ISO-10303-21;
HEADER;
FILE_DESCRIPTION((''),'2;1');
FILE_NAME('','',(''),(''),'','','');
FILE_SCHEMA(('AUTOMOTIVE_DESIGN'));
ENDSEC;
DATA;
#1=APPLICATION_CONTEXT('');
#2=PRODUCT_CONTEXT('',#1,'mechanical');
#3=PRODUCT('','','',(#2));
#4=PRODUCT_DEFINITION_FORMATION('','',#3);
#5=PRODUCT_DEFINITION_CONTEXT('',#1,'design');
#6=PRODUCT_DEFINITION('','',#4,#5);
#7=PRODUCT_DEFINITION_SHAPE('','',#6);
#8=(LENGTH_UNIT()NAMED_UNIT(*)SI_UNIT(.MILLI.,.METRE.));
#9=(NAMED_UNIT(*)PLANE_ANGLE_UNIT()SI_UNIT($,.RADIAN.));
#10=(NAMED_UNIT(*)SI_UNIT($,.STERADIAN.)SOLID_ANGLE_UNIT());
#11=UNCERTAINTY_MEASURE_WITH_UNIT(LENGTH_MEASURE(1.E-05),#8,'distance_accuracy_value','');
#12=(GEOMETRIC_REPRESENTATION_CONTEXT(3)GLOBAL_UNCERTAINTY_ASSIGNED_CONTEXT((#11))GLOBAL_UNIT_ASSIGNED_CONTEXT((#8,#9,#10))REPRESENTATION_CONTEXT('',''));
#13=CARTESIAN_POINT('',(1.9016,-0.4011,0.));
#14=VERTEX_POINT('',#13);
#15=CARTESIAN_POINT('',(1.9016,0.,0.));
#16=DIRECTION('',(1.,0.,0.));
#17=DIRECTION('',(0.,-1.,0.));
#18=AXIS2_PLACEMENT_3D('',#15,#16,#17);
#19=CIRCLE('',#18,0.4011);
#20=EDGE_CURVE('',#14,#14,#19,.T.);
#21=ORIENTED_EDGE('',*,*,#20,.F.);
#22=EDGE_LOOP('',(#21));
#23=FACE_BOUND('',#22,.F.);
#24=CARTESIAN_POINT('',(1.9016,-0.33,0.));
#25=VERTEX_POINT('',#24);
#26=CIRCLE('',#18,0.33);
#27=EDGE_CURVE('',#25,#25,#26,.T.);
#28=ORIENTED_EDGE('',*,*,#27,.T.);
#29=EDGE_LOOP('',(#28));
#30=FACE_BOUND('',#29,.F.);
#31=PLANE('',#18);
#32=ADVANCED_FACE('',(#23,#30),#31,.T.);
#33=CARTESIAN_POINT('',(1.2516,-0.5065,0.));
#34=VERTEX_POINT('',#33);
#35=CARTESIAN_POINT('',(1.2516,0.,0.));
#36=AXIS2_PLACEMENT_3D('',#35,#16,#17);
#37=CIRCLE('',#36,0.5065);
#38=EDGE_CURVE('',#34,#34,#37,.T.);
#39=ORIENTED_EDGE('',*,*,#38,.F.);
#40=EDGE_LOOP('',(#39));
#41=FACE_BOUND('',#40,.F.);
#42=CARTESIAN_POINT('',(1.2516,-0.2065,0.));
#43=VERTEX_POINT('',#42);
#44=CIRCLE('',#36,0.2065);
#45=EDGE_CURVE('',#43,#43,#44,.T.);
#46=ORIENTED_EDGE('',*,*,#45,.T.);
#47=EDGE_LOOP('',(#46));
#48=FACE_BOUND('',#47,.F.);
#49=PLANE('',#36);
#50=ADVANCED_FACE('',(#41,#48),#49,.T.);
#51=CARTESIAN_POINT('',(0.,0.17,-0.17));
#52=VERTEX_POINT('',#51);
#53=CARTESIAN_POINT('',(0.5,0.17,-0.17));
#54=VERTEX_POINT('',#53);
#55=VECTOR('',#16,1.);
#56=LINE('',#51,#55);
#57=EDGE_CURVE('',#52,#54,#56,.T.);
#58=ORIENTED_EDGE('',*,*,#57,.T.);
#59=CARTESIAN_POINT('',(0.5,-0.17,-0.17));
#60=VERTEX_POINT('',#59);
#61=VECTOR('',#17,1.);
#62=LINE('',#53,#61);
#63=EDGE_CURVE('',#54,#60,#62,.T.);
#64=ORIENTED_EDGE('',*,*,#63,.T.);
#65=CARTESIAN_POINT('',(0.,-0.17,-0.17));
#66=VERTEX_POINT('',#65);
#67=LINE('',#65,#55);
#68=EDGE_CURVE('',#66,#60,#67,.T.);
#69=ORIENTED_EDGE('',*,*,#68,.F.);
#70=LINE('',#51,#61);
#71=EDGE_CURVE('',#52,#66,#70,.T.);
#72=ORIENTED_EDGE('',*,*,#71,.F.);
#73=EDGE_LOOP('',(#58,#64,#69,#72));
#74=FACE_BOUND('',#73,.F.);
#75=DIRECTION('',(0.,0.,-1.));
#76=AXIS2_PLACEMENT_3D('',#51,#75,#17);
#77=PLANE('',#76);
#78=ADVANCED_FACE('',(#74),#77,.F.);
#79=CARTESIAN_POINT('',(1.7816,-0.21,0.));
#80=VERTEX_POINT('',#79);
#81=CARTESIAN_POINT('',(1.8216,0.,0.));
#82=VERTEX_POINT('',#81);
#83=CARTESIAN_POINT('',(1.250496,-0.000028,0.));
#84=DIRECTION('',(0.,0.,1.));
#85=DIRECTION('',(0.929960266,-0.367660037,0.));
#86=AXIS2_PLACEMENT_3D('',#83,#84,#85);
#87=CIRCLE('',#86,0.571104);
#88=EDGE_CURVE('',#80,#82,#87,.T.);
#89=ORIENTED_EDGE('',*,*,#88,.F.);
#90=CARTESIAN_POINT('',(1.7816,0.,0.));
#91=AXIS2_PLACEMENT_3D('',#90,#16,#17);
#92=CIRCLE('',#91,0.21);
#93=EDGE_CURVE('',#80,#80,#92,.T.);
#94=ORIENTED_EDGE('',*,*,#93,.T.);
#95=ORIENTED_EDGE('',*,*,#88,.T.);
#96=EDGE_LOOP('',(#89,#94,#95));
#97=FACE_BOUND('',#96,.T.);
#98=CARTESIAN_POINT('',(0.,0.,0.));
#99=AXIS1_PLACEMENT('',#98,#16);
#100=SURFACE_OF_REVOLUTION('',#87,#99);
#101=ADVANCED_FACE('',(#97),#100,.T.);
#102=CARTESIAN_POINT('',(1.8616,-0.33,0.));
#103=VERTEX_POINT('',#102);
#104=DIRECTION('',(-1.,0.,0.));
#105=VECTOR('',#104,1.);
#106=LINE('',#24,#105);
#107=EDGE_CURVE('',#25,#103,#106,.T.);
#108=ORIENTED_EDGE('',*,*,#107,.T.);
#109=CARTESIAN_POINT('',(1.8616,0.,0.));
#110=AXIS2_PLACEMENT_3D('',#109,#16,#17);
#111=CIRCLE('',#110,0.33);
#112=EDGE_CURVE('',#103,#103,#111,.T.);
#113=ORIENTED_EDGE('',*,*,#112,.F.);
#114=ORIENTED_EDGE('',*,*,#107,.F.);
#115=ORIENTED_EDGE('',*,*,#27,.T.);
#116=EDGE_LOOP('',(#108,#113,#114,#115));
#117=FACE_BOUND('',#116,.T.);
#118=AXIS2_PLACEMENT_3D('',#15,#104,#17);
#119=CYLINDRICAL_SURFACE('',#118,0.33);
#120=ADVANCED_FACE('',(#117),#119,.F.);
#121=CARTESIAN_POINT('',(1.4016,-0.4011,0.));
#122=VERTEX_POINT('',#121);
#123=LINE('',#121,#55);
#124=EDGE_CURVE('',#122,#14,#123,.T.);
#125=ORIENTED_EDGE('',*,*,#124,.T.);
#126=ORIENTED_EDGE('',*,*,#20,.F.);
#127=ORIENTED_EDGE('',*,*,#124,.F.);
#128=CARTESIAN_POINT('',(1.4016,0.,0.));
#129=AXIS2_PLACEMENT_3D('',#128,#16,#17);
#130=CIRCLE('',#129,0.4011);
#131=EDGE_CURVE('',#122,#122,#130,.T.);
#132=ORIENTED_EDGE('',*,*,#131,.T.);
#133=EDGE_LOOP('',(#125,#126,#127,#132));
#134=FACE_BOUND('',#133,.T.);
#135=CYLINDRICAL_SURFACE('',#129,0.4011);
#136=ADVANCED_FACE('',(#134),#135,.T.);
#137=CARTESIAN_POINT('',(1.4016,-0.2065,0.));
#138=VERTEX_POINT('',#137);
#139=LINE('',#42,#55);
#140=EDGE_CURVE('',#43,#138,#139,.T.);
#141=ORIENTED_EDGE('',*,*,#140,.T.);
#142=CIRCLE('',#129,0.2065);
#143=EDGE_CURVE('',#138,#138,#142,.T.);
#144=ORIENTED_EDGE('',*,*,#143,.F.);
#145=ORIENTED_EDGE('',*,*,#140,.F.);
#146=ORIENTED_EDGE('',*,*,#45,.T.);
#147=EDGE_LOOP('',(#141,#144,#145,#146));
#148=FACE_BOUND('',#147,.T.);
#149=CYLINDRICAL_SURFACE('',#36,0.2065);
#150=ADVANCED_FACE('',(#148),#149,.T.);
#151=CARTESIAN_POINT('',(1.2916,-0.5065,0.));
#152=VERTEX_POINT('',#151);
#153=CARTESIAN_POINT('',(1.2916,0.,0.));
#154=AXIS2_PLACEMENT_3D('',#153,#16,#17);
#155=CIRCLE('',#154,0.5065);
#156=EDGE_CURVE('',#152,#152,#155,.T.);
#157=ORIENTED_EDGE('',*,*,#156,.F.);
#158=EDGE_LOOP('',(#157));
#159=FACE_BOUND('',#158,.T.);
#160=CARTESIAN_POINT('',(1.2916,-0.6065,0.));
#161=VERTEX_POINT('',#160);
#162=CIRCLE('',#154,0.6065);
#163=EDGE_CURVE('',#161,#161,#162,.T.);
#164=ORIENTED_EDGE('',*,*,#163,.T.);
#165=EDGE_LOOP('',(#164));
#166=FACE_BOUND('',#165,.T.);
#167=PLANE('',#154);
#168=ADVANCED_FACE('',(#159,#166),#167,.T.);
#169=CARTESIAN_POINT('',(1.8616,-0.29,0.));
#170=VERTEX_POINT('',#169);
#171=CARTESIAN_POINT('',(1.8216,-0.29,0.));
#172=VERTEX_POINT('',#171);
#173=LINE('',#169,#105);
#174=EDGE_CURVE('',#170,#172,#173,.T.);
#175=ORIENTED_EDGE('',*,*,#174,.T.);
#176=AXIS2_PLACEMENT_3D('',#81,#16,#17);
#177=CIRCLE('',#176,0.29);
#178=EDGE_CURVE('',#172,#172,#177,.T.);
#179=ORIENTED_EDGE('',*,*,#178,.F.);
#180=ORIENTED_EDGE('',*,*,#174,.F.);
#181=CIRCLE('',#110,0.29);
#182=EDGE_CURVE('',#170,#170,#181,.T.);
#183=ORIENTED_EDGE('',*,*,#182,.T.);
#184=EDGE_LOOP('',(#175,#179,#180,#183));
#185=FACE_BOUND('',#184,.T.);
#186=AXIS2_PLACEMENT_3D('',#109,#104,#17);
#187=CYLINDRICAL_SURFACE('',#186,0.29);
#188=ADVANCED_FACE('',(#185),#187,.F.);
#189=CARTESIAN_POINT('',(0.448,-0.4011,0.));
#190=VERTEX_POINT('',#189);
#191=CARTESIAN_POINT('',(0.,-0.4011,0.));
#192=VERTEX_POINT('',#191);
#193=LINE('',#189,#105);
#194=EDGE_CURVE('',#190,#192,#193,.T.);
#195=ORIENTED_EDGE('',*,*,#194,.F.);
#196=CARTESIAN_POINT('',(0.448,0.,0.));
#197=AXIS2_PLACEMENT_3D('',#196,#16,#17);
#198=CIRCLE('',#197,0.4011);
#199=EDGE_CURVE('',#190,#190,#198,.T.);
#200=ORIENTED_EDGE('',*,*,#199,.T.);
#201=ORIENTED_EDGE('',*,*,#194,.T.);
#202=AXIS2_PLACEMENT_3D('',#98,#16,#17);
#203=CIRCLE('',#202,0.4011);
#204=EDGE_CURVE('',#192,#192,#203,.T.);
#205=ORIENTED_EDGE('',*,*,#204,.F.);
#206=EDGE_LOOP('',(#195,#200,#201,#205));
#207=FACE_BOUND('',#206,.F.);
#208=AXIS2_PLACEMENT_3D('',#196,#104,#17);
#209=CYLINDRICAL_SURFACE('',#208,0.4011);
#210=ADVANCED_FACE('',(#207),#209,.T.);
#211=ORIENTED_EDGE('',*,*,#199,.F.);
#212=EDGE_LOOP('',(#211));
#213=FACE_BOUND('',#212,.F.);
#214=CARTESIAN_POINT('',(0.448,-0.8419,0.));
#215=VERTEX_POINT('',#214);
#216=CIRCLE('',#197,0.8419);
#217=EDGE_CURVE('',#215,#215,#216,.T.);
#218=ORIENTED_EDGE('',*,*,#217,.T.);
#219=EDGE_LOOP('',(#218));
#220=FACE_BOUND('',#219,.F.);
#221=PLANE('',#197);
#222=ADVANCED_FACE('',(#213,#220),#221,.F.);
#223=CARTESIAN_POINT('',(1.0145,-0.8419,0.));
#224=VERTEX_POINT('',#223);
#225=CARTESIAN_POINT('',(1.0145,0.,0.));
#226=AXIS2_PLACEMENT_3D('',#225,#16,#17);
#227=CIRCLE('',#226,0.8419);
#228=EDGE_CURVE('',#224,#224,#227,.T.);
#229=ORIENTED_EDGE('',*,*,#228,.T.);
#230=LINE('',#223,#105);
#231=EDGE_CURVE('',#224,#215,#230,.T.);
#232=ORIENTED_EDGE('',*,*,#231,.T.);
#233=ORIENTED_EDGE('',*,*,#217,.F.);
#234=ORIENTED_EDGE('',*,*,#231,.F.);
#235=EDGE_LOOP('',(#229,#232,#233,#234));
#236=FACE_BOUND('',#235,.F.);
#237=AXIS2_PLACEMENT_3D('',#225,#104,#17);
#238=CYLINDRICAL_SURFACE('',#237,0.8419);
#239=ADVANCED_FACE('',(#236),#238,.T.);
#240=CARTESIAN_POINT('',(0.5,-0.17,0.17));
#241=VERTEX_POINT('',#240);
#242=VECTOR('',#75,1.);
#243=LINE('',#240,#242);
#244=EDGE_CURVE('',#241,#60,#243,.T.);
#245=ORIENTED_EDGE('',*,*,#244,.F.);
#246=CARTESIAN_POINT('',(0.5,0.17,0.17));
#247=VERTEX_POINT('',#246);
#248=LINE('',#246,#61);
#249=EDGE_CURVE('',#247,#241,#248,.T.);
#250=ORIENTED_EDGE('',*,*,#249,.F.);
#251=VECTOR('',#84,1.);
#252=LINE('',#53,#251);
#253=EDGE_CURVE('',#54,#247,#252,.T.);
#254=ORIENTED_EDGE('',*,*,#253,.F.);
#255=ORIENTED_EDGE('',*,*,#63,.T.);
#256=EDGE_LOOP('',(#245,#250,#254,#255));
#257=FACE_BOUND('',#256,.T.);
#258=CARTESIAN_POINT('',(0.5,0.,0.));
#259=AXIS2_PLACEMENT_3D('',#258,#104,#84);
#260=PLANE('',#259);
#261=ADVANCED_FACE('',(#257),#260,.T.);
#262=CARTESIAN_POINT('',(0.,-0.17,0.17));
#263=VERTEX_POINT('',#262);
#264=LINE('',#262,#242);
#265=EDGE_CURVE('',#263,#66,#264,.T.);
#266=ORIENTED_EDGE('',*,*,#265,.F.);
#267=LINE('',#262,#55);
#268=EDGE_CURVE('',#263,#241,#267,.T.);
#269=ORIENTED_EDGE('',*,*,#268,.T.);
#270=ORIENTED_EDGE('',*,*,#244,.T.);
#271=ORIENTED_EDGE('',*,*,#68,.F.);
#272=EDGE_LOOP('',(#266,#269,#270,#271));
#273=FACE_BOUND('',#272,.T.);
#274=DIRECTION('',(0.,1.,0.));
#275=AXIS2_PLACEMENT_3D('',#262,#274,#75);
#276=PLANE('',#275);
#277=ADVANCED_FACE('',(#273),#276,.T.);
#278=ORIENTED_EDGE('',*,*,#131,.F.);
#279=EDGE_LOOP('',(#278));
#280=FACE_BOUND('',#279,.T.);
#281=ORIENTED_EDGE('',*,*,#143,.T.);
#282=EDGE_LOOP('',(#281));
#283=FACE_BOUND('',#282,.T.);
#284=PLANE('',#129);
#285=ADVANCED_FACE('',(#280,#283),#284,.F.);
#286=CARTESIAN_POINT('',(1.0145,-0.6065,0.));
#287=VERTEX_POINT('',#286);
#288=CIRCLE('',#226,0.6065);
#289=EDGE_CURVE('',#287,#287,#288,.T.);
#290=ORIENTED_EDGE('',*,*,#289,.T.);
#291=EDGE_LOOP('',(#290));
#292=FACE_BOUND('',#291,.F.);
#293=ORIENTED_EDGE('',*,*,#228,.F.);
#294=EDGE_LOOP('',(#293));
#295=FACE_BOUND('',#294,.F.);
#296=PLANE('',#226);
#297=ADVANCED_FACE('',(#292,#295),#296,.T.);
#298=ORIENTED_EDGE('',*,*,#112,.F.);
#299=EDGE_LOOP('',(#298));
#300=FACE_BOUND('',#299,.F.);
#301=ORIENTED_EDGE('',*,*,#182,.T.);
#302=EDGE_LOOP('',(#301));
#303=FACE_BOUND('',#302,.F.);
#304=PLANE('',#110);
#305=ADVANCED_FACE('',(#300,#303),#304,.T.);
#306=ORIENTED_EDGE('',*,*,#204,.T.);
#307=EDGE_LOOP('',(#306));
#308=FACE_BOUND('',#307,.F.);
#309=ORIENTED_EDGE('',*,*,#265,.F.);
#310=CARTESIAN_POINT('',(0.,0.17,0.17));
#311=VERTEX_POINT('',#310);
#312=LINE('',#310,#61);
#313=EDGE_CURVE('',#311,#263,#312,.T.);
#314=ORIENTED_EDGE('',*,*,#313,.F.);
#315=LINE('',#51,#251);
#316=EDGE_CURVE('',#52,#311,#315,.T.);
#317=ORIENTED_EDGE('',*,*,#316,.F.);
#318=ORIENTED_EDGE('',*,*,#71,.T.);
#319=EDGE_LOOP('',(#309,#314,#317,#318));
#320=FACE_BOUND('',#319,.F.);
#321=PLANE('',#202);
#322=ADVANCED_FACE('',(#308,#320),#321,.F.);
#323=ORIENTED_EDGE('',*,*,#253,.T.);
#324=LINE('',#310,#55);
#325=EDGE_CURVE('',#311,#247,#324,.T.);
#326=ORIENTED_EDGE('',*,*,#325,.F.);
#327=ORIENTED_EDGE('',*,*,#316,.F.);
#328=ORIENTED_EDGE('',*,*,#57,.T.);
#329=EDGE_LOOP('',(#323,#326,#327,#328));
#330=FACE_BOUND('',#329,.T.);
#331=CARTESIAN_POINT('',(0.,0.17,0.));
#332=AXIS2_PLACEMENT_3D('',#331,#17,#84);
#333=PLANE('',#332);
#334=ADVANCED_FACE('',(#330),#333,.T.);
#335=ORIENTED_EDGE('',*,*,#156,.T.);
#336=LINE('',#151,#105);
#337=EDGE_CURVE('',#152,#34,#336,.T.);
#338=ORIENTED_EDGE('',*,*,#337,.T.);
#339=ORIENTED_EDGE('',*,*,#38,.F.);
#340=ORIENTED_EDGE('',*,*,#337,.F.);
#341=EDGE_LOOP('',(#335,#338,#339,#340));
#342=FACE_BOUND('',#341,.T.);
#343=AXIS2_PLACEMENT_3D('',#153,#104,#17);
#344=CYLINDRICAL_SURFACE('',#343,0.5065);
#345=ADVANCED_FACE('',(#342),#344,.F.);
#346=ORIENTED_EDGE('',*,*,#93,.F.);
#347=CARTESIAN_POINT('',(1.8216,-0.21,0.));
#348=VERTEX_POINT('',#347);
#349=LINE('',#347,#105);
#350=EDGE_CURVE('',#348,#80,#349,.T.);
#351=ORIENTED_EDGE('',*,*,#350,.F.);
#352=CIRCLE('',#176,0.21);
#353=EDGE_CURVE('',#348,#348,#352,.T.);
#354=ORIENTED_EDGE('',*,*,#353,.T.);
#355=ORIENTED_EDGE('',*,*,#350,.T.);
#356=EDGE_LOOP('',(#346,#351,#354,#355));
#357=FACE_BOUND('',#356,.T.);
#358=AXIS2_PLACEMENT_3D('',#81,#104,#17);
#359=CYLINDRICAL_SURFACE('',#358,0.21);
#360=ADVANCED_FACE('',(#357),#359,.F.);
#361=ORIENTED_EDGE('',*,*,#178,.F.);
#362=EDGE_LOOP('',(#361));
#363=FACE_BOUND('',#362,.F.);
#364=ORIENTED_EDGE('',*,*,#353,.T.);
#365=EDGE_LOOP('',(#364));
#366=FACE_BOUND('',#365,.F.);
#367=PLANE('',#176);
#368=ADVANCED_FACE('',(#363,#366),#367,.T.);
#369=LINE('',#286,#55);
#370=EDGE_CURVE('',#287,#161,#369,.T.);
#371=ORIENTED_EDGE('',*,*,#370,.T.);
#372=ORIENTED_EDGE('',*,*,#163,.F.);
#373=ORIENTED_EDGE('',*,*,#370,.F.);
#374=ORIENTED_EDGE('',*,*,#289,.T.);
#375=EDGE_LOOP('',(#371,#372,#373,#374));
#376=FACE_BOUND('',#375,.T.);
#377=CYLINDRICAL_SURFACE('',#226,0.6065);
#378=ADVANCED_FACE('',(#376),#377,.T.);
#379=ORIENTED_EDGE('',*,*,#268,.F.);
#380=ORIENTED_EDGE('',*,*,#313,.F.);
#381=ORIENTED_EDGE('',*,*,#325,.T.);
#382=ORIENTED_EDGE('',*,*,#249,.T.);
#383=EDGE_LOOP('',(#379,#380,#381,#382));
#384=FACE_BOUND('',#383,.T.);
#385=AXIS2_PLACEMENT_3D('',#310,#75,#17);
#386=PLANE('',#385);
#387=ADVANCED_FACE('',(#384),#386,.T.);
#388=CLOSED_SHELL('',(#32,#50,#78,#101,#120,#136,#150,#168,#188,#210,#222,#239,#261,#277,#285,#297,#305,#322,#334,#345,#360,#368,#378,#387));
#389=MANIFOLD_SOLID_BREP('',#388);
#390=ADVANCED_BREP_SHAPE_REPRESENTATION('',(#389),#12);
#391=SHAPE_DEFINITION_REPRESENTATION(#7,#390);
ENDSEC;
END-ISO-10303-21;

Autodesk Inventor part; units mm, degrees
ref_plane "YZ Plane" through (0, 0, 0) normal (1, 0, 0) x (0, 1, 0)
ref_plane "XZ Plane" through (0, 0, 0) normal (0, 1, 0) x (-1, 0, 0)
ref_plane "XY Plane" through (0, 0, 0) normal (0, 0, 1) x (1, 0, 0)
sketch "Boceto1" plane through (0, 0, 0) normal (0, 0, 1) x (1, 0, 0)
  line L0 (0.448, 0) -> (0.448, -0.4011)
  line L1 (0.448, -0.4011) -> (0, -0.4011)
  line L2 (0, -0.4011) -> (0, 0)
  line L3 (1.0145, -0.8419) -> (0.448, -0.8419)
  line L4 (1.0145, -0.6065) -> (1.2916, -0.6065)
  line L5 (1.2516, 0) -> (1.2516, -0.5065)
  line L6 (1.2916, -0.6065) -> (1.2916, -0.5065)
  line L7 (1.2916, -0.5065) -> (1.2516, -0.5065)
  line L8 (1.2516, -0.2065) -> (1.4016, -0.2065)
  line L9 (1.4016, -0.2065) -> (1.4016, 0)
  line L10 (1.4016, -0.0065) -> (1.4016, -0.4011)
  line L11 (1.4016, -0.4011) -> (1.9016, -0.4011)
  line L12 (1.4016, 0) -> (1.4016, -0.2038)
  line L13 (1.9016, -0.33) -> (1.8616, -0.33)
  line L14 (1.8616, -0.29) -> (1.8216, -0.29)
  line L15 (1.8616, -0.29) -> (1.8616, -0.33)
  line L16 (1.9016, -0.33) -> (1.9016, -0.4011)
  line L17 (1.8216, -0.21) -> (1.7816, -0.21)
  arc A0 (1.7816, -0.21) -> (1.8216, 0) centre (1.2504, 0) ccw
  line L18 (1.8216, -0.21) -> (1.8216, -0.29)
  line L19 (0, 0) -> (1.8216, 0)
  line L20 (1.0145, 0) -> (1.0145, -0.7419)
  line L21 (1.0145, 0) -> (1.0145, -0.8419)
  line L22 (0.448, -0.8419) -> (0.448, 0)
revolve "Revolución1" add sketch "Boceto1" angle 360 about axis through (0, 0, 0) along (1, 0, 0)
sketch "Boceto2" plane through (0, 0, 0) normal (-1, 0, 0) x (0, 0, 1)
  circle A0 centre (0, 0) radius 0.4011 projected
  line L0 (0, 0.17) -> (0.17, 0.17)
  line L1 (0.17, 0.17) -> (0.17, -0.17)
  line L2 (0.17, -0.17) -> (0, -0.17)
  line L3 (0, 0.17) -> (-0.17, 0.17)
  line L4 (-0.17, 0.17) -> (-0.17, -0.17)
  line L5 (-0.17, -0.17) -> (0, -0.17)
  line L6 (-0.17, -0.17) -> (0.17, -0.17)
  line L7 (0.17, -0.17) -> (0.17, 0.17)
  line L8 (0.17, 0.17) -> (-0.17, 0.17)
  line L9 (-0.17, 0.17) -> (-0.17, -0.17)
extrude "Extrusión1" cut sketch "Boceto2" against normal blind 0.5 contours L0 L1 L2 L5 L4 L3
properties part number "ET23"
